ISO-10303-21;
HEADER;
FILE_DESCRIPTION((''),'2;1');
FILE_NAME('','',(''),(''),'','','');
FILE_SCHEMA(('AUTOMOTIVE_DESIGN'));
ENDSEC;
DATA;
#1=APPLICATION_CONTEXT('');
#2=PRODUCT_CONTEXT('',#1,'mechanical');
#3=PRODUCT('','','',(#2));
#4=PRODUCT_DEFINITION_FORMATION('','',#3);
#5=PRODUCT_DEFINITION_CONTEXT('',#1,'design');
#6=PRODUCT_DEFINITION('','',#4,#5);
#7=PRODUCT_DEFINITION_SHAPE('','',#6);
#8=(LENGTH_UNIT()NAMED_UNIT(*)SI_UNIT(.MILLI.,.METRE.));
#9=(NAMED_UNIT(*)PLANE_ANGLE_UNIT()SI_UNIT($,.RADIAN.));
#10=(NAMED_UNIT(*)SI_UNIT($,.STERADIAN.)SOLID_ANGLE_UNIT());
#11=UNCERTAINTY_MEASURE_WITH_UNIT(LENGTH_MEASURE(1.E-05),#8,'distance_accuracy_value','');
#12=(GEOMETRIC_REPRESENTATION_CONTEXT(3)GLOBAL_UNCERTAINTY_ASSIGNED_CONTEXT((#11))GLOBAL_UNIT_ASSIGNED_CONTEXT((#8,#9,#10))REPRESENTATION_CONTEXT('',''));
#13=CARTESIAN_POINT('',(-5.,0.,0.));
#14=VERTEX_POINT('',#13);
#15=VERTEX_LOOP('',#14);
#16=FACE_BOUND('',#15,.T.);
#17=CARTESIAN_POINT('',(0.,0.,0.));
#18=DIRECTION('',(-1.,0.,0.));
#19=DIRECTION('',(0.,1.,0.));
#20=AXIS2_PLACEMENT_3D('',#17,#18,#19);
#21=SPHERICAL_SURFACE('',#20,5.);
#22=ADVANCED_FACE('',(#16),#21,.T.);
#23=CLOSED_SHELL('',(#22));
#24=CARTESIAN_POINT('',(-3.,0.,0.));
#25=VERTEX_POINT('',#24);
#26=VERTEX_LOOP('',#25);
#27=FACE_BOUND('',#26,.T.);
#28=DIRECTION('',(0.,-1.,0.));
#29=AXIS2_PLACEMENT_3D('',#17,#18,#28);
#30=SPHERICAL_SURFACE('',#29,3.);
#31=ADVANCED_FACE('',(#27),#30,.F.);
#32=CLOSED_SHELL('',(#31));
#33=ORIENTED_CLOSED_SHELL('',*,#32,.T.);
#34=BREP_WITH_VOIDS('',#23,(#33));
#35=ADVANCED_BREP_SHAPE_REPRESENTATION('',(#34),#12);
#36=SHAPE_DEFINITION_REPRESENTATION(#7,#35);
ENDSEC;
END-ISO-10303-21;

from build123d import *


with BuildPart() as part:
    # 草图1 → 旋转3 (revolve)
    with BuildSketch(Plane.XY):
        with BuildLine():
            Line((-5, 0), (-3, 0))
            ThreePointArc((-3, 0), (0, 3), (3, 0))
            Line((3, 0), (5, 0))
            ThreePointArc((5, 0), (0, 5), (-5, 0))
        make_face()
    revolve(axis=Axis((-5, 0, 0), (1, 0, 0)))


solid = part.part
